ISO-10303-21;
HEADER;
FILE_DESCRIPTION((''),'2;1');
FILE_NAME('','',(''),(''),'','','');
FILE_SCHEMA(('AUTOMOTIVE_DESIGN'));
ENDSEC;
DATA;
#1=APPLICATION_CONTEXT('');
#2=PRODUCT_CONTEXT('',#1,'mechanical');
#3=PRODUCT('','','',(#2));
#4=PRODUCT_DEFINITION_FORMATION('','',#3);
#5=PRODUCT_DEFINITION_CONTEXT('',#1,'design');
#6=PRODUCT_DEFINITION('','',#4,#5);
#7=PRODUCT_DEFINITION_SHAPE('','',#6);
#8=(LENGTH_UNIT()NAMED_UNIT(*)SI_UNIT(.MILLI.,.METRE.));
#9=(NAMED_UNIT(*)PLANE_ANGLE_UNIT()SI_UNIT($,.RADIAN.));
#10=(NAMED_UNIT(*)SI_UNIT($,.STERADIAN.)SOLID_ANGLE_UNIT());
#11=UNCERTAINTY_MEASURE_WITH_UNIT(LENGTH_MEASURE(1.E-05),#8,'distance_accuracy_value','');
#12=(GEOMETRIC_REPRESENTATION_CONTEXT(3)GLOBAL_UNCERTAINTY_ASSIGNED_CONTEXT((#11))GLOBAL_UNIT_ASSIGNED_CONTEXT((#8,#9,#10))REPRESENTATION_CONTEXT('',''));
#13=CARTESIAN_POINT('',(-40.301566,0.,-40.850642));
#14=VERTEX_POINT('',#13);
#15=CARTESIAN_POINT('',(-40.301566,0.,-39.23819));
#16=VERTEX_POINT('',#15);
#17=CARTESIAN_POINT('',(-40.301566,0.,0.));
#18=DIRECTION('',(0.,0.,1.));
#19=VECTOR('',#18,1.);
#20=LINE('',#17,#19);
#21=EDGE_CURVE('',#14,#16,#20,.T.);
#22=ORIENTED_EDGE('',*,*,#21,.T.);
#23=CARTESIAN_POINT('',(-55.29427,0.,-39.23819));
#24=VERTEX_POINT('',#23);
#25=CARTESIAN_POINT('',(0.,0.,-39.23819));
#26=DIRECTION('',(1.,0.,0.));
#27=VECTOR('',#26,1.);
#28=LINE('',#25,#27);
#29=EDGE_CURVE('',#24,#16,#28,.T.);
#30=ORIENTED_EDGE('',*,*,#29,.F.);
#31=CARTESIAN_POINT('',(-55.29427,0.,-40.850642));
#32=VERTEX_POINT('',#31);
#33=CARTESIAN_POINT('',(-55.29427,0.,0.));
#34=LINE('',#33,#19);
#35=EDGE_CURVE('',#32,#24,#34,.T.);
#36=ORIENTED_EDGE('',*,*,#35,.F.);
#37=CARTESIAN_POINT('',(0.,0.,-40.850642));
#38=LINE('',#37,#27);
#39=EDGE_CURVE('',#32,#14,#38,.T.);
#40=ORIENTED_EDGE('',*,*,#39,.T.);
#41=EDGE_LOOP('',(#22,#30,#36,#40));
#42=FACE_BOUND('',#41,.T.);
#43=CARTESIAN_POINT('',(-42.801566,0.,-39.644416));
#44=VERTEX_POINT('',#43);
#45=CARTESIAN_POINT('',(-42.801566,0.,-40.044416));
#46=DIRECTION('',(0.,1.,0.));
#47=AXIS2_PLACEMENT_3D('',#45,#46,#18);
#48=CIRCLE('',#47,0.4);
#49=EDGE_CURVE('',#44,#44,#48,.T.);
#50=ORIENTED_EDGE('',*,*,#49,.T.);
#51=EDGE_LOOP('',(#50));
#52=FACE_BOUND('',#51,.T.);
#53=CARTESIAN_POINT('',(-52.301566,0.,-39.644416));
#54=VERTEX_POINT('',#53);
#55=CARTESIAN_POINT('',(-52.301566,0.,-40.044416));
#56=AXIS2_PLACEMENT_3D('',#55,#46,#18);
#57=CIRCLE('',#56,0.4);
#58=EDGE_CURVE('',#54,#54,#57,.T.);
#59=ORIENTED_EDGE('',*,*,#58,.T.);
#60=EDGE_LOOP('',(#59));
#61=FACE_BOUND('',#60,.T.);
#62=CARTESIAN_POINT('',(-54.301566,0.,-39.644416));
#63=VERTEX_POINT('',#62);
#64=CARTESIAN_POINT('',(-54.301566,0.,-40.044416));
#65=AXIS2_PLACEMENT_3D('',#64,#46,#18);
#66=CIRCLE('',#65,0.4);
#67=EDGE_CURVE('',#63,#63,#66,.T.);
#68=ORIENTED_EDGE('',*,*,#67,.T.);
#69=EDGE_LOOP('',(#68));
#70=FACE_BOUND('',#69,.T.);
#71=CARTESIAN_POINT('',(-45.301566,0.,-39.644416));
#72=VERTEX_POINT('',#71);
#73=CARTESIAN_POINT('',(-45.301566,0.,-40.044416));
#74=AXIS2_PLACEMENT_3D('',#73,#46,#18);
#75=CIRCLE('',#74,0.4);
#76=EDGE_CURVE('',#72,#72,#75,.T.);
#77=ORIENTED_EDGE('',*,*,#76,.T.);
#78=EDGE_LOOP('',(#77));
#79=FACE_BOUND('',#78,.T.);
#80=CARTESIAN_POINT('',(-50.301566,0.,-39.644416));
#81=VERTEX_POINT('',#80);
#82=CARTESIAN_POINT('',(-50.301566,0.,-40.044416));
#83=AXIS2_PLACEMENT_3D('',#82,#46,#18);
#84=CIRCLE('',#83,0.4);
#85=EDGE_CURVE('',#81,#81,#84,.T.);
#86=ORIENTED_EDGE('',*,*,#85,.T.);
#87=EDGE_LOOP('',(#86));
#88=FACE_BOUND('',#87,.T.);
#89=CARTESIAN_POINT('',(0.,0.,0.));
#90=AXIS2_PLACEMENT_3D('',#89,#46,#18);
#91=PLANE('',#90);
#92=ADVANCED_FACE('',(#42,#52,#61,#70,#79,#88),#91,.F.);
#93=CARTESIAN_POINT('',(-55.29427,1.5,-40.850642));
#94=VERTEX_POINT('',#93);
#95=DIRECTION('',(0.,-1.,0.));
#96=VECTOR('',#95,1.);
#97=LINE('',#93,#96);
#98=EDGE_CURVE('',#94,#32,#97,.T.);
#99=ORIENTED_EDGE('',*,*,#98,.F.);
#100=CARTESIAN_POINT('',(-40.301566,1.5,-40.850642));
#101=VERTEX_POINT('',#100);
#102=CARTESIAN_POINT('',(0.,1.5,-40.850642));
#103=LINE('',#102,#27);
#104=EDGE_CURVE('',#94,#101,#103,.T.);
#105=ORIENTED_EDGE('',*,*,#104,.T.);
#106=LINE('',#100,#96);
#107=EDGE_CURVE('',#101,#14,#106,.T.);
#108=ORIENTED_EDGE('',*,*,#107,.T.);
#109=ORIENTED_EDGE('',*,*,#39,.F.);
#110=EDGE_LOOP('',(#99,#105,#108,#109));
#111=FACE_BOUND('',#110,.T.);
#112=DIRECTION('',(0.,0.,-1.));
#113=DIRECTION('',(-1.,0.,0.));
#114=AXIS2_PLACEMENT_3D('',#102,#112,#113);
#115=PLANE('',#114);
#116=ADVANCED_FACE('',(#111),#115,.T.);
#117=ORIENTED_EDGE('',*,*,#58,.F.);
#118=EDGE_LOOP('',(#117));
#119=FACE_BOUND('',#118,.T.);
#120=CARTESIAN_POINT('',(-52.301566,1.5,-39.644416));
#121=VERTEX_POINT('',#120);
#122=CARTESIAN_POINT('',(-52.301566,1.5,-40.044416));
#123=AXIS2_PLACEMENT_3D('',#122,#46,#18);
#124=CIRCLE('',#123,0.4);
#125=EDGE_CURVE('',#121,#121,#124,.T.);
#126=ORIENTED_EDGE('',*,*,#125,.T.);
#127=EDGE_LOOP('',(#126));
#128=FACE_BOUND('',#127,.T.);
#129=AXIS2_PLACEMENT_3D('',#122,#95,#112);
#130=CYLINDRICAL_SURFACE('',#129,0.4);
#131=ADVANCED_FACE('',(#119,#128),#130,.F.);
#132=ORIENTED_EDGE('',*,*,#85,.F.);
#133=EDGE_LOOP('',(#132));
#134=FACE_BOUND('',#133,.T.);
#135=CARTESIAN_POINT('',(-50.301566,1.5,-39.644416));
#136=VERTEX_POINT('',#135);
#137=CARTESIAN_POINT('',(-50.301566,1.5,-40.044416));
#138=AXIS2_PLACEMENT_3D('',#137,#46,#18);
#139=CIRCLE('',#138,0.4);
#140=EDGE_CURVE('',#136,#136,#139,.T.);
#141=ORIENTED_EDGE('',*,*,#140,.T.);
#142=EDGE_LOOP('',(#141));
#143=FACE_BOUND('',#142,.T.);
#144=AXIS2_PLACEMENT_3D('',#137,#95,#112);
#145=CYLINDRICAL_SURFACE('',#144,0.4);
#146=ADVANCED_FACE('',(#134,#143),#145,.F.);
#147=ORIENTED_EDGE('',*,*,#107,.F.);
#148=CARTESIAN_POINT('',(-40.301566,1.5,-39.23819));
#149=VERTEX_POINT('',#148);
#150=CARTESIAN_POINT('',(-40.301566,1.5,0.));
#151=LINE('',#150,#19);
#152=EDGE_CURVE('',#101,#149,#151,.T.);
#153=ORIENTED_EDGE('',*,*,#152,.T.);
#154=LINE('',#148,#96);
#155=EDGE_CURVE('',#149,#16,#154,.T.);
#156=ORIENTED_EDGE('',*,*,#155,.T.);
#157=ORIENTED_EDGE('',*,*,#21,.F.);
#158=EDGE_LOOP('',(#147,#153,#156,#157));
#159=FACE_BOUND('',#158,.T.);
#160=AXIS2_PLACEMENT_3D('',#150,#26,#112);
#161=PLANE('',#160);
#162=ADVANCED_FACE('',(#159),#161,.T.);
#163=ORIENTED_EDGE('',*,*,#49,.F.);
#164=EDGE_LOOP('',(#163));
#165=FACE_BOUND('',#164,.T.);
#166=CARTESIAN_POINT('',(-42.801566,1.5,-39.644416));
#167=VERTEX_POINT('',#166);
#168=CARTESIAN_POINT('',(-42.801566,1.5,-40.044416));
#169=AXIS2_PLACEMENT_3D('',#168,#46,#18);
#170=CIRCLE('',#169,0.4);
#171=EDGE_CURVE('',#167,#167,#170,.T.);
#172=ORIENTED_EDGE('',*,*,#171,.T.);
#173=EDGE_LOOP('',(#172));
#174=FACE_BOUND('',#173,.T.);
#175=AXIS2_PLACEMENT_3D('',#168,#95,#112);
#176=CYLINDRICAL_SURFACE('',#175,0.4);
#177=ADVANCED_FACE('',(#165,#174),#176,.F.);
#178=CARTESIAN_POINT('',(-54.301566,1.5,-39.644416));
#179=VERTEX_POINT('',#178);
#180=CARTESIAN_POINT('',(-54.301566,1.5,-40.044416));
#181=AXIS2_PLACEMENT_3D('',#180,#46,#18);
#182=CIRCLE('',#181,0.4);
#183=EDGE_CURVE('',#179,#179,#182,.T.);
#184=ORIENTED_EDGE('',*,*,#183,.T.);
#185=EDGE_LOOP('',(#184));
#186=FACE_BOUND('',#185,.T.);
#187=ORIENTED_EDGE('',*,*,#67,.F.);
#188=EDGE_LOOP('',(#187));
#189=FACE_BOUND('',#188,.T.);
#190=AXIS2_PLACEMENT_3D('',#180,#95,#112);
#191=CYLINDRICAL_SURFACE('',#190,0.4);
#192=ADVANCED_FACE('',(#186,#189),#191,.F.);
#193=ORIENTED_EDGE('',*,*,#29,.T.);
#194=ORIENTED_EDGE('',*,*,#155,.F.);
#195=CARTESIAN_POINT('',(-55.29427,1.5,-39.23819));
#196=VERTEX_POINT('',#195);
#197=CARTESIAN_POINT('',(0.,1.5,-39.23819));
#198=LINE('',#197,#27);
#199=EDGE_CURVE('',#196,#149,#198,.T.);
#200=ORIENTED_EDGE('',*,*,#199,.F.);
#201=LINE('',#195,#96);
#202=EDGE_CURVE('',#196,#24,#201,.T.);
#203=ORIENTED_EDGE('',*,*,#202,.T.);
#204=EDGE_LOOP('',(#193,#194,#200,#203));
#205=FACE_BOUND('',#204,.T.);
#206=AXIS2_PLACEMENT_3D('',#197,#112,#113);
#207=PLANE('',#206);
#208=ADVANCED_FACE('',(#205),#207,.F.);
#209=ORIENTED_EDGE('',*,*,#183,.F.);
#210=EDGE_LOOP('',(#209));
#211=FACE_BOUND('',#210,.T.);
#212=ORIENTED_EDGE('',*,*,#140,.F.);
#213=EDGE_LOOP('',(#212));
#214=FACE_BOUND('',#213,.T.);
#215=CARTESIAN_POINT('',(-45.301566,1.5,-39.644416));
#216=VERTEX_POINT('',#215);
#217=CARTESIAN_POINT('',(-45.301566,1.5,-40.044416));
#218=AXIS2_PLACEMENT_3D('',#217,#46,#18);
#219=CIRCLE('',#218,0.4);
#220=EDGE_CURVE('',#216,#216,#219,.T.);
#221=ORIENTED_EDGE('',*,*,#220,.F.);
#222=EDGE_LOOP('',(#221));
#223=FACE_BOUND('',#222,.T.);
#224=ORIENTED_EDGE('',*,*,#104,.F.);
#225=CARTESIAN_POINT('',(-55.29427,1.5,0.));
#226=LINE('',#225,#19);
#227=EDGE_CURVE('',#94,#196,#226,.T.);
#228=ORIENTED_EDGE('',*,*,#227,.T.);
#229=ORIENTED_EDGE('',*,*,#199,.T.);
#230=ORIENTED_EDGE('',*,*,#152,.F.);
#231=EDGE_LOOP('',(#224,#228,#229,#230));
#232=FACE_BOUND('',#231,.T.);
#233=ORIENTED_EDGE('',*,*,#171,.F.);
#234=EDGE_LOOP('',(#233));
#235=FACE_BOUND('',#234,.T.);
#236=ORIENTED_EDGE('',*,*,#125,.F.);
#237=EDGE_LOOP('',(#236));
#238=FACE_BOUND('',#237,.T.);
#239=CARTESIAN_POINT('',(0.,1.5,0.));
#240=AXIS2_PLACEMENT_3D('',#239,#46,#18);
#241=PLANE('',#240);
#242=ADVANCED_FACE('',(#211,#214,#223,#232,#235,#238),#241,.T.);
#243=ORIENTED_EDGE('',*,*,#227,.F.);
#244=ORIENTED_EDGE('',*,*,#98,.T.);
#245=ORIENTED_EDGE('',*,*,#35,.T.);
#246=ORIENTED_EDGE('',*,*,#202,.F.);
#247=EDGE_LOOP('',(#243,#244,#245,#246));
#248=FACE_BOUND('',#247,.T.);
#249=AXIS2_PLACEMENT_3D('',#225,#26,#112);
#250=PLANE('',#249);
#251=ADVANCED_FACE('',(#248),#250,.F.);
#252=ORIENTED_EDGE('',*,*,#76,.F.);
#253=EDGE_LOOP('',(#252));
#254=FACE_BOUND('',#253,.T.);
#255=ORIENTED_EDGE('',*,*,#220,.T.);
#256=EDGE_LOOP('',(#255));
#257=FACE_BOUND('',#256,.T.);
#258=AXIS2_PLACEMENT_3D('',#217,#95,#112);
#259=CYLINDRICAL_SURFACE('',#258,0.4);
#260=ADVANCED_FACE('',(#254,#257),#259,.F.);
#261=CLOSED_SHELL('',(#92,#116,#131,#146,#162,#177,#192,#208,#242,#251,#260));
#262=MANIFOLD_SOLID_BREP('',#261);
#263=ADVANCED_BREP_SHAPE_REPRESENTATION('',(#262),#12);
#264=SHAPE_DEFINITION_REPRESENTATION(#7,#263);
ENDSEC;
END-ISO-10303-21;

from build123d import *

# Parameters (mm, degrees)
SKETCH1_R           = 0.4
BOSS_EXTRUDE1_DEPTH = 1.5


with BuildPart() as part:
    # Sketch1 → Boss-Extrude1 (new body)
    with BuildSketch(Plane(origin=(0, 0, 0), x_dir=(1, 0, 0), z_dir=(0, 1, 0))):
        Polygon((-55.29426973, 40.850641592), (-55.29426973, 40.044415817), (-55.29426973, 39.238190042), (-40.301565833, 39.238190042), (-40.301565833, 40.850641592), align=None)
        with BuildLine():
            ThreePointArc((-51.901565833, 40.044415817), (-52.301565833, 39.644415817), (-52.701565833, 40.044415817))
            ThreePointArc((-52.701565833, 40.044415817), (-52.301565833, 40.444415817), (-51.901565833, 40.044415817))
        make_face(mode=Mode.SUBTRACT)
        with BuildLine():
            ThreePointArc((-53.901565833, 40.044415817), (-54.301565833, 39.644415817), (-54.701565833, 40.044415817))
            ThreePointArc((-54.701565833, 40.044415817), (-54.301565833, 40.444415817), (-53.901565833, 40.044415817))
        make_face(mode=Mode.SUBTRACT)
        with Locations((-50.301565833, 40.044415817)):
            Circle(SKETCH1_R, mode=Mode.SUBTRACT)
        with Locations((-45.301565833, 40.044415817)):
            Circle(SKETCH1_R, mode=Mode.SUBTRACT)
        with Locations((-42.801565833, 40.044415817)):
            Circle(SKETCH1_R, mode=Mode.SUBTRACT)
    extrude(amount=BOSS_EXTRUDE1_DEPTH)


solid = part.part
